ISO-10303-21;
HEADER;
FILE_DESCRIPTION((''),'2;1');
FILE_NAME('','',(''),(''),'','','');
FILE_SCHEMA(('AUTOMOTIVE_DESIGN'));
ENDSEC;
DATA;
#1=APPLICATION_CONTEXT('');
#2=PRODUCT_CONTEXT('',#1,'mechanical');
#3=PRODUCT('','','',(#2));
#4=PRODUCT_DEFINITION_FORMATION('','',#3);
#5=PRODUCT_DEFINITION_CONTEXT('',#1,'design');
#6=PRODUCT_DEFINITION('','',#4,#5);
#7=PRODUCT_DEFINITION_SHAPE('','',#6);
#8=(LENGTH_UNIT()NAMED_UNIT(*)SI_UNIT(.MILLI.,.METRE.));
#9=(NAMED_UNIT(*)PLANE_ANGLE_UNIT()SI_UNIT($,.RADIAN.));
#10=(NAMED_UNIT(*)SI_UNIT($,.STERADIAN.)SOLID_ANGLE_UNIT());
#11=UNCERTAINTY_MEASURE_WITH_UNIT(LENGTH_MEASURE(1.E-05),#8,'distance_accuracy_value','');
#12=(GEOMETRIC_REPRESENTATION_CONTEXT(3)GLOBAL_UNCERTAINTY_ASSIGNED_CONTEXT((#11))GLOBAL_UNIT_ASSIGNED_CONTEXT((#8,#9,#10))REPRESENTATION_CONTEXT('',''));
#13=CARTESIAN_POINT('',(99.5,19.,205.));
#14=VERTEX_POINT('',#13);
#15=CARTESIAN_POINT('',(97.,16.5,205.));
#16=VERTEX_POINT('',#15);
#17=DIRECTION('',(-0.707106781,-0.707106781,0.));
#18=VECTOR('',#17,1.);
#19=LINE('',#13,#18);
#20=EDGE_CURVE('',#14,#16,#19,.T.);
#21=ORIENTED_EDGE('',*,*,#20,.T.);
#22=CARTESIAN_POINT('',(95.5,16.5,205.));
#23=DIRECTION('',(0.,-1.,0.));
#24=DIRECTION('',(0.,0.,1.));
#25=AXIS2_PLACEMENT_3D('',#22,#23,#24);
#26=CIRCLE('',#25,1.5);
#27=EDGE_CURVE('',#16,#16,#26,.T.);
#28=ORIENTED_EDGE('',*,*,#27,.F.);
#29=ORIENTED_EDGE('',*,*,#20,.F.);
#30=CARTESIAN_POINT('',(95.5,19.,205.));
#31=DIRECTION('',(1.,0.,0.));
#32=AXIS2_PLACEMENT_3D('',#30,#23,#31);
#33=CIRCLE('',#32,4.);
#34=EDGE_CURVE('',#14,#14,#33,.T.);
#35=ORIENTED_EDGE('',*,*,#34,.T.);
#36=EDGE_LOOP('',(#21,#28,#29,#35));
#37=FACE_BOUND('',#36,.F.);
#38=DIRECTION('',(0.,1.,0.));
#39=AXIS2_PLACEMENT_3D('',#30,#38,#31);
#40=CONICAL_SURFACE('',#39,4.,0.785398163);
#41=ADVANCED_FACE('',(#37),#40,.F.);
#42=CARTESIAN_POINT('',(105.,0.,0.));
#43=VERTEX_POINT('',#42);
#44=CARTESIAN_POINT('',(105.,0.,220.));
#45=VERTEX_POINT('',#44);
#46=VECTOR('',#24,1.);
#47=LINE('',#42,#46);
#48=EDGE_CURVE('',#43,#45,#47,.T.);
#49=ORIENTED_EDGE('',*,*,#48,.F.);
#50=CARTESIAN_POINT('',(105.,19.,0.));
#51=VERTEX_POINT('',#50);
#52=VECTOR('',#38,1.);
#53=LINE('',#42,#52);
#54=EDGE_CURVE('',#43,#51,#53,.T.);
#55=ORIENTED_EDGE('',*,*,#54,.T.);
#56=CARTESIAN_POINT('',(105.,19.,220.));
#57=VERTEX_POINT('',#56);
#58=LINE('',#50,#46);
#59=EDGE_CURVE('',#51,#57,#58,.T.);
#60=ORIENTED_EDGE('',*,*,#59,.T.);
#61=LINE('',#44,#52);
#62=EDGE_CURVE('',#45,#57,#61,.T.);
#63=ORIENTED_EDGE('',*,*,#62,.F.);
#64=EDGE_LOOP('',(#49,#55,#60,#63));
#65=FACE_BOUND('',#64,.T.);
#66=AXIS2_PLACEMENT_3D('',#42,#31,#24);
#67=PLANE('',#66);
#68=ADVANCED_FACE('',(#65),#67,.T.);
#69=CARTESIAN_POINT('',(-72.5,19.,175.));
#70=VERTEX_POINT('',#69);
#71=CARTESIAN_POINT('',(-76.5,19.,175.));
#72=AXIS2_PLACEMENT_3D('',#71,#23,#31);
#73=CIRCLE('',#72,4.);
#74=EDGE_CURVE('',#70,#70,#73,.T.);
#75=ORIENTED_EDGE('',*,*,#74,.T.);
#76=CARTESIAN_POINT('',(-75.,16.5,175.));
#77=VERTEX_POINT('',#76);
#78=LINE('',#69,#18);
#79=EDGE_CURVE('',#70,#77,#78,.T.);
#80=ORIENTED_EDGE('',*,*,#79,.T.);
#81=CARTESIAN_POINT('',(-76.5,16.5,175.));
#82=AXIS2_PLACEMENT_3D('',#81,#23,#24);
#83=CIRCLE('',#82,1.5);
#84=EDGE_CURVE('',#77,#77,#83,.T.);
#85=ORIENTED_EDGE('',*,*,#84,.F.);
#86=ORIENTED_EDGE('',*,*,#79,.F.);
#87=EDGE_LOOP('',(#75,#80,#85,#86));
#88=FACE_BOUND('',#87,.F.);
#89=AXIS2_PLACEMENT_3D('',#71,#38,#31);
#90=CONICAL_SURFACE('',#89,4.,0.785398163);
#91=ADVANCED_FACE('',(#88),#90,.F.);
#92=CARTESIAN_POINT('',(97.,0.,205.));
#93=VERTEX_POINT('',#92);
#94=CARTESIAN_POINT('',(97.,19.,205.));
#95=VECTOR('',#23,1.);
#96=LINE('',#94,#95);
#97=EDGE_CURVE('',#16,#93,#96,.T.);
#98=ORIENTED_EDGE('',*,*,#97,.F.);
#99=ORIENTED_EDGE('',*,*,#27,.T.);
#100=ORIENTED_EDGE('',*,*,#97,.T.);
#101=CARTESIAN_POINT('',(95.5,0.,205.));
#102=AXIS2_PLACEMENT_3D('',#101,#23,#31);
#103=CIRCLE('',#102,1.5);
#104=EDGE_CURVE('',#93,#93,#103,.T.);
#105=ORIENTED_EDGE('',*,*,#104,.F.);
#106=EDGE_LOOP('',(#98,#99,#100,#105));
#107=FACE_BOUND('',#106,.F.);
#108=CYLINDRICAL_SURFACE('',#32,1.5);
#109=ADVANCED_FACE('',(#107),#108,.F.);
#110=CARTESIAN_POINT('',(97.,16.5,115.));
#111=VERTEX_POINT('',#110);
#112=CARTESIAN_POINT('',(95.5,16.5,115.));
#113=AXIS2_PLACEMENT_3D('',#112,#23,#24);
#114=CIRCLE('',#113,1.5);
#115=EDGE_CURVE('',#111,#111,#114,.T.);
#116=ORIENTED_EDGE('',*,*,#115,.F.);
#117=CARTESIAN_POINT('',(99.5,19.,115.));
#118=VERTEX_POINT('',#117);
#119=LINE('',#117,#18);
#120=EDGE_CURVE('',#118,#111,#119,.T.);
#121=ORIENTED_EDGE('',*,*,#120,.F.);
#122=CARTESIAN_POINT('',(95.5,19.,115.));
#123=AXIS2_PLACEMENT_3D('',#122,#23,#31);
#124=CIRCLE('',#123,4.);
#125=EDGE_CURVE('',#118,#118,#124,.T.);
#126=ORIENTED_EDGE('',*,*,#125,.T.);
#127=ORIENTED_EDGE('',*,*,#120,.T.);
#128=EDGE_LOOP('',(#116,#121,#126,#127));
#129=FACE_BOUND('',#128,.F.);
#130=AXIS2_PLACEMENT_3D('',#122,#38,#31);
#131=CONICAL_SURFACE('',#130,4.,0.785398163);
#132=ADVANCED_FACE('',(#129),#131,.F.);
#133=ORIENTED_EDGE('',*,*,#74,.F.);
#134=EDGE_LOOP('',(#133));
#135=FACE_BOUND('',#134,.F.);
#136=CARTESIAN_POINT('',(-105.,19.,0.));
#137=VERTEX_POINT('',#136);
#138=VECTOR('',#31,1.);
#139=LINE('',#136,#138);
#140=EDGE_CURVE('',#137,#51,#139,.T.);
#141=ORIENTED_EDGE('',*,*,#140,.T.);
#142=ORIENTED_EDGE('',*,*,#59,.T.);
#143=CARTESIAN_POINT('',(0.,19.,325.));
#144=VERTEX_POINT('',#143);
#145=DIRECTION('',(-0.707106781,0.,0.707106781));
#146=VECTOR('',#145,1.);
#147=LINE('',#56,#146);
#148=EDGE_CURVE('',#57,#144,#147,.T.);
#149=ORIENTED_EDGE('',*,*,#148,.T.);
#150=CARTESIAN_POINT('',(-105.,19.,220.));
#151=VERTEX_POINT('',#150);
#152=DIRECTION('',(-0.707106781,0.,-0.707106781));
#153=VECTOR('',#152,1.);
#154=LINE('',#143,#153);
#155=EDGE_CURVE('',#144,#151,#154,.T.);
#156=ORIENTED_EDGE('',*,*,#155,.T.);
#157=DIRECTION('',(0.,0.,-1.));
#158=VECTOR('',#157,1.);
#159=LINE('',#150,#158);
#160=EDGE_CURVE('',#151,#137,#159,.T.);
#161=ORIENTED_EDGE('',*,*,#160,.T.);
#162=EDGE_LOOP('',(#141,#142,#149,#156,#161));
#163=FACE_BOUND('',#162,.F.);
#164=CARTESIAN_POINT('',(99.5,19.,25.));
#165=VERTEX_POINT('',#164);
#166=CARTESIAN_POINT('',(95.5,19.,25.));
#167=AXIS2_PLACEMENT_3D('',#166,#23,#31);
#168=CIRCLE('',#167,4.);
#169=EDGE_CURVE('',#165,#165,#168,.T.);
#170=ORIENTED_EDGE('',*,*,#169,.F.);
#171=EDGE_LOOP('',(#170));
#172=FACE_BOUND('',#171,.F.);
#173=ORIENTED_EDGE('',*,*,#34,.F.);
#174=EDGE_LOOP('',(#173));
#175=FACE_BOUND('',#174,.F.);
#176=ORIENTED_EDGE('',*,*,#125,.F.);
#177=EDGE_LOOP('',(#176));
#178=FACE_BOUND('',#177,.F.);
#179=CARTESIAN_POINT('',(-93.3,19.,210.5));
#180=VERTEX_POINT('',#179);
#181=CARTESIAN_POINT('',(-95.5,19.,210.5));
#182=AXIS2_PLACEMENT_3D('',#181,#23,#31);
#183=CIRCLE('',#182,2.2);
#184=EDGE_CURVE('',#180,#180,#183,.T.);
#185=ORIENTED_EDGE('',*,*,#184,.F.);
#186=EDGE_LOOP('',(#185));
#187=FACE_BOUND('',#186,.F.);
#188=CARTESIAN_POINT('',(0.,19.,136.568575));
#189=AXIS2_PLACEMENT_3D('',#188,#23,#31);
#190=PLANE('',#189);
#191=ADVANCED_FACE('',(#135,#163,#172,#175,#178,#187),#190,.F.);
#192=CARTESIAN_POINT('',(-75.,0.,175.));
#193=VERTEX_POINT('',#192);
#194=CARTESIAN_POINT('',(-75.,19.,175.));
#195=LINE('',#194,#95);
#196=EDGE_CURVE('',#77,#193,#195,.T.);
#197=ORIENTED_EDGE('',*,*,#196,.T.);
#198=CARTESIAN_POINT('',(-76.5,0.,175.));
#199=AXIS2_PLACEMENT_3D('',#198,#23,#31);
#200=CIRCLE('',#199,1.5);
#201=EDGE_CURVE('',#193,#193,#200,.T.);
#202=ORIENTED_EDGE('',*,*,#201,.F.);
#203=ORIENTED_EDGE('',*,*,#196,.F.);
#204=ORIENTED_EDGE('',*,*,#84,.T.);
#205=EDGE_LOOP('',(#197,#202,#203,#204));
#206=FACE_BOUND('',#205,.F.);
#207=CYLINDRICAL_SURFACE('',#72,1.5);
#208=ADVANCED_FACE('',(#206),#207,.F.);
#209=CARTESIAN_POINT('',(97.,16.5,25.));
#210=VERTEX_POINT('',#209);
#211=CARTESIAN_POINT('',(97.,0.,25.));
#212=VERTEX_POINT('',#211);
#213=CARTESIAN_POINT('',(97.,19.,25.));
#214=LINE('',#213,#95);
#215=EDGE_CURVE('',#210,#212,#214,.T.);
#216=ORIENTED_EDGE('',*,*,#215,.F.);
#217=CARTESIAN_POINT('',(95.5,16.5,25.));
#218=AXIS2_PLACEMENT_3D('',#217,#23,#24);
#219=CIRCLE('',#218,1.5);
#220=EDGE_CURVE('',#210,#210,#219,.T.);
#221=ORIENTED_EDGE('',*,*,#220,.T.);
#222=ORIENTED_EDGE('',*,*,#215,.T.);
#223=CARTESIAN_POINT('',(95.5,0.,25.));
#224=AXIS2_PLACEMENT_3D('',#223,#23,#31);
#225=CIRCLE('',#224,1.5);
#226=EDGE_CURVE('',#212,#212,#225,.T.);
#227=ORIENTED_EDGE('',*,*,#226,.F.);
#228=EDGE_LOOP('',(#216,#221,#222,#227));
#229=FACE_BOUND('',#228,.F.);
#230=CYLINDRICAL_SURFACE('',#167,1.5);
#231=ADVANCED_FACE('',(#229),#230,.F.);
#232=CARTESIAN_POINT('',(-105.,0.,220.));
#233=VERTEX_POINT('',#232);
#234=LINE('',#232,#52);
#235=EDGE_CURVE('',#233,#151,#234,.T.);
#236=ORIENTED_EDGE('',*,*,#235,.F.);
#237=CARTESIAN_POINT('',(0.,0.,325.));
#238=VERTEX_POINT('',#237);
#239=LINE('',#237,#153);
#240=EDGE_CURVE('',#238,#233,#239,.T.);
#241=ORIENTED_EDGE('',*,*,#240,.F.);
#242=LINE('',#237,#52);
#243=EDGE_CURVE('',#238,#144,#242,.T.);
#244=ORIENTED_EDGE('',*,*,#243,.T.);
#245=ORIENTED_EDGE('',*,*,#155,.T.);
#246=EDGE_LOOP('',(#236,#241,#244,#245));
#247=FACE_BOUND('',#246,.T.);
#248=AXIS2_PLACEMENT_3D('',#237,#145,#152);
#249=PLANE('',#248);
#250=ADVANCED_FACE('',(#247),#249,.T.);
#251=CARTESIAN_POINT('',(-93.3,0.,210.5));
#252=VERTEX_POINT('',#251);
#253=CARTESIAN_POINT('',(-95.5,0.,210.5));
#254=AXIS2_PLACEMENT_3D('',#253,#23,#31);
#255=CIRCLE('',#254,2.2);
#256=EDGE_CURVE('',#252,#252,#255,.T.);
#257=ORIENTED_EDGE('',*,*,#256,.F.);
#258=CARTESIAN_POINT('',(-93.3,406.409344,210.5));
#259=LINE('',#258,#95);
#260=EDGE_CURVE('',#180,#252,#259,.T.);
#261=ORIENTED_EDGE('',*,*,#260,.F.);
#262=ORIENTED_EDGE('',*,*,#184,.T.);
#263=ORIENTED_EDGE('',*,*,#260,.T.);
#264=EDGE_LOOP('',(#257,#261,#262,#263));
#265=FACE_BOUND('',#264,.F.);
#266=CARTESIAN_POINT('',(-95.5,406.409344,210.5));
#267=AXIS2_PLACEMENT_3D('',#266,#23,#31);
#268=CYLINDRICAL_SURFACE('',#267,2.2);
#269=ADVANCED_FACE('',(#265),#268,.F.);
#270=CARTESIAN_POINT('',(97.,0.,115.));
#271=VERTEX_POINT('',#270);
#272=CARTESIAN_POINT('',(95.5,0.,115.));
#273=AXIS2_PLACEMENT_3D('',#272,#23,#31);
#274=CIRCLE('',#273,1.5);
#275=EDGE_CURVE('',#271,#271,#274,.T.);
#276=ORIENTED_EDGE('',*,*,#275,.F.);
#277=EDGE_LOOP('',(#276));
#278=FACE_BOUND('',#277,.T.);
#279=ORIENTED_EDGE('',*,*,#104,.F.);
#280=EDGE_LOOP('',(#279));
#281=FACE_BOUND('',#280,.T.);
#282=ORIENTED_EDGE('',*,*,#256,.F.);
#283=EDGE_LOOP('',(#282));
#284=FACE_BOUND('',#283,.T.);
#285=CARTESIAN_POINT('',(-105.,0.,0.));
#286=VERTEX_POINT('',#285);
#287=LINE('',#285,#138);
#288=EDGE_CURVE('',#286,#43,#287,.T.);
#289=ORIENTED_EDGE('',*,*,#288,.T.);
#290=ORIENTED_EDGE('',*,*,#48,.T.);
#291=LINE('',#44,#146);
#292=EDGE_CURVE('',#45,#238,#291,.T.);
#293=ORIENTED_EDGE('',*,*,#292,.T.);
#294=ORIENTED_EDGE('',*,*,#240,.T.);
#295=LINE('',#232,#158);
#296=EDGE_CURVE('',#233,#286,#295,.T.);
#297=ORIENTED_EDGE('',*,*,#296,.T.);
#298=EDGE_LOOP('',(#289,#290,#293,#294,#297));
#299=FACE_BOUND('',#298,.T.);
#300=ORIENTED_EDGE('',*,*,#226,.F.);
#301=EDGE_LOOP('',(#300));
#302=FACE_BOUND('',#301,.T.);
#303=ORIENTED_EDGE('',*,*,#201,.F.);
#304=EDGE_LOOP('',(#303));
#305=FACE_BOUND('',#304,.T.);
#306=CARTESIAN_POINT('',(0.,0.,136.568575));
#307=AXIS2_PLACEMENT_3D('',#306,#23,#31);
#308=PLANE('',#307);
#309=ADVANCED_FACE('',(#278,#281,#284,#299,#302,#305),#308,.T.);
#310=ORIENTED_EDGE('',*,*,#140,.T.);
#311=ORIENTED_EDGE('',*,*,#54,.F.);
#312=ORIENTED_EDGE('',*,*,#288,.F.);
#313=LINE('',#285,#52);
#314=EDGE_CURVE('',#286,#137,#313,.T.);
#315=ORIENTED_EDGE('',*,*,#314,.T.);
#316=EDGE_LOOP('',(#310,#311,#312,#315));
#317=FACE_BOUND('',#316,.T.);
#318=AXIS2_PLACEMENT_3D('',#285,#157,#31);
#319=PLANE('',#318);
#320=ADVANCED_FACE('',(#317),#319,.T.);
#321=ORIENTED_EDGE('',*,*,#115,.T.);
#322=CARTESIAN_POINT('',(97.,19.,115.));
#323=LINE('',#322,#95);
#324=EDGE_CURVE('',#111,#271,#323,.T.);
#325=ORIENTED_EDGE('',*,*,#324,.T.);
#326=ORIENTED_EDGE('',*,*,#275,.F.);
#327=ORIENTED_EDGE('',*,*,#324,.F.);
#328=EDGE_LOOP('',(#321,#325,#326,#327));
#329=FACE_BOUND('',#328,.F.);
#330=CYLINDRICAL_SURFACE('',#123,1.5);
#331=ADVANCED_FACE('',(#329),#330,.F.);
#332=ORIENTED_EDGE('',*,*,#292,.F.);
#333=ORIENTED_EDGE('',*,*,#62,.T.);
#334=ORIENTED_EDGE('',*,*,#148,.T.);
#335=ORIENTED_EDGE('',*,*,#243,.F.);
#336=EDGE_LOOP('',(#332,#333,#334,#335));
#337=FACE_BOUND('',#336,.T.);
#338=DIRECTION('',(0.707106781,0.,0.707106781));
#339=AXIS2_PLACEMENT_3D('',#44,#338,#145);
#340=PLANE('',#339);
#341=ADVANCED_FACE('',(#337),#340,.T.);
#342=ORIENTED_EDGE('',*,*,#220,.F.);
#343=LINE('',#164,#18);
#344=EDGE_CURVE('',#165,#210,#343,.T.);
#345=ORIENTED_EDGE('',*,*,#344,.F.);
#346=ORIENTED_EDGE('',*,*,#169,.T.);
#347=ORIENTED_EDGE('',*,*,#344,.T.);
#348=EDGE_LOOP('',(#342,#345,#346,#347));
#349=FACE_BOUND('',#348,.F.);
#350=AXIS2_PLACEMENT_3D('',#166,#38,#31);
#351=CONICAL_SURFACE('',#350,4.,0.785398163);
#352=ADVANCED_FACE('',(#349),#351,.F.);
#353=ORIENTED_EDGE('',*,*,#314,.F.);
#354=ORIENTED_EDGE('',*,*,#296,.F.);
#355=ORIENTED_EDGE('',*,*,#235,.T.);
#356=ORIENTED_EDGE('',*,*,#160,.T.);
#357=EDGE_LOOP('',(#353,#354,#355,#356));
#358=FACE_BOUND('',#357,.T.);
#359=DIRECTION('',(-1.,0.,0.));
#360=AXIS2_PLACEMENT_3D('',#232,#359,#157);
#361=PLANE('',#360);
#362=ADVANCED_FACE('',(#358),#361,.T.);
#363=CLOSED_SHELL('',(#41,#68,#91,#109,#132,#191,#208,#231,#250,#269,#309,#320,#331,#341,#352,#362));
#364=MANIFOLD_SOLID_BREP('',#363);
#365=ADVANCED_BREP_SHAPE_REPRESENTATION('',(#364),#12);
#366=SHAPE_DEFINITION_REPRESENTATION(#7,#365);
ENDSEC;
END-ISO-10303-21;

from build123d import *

# Parameters (mm, degrees)
F1_DEPTH       = 19
F3_D           = 3
F3_CSINK_D     = 8
F3_CSINK_ANGLE = 90
F4_D           = 4.4


with BuildPart() as f1:
    # F0 (on Front) → F1 (new body)
    with BuildSketch(Plane.XZ):
        Polygon((-105, 0), (105, 0), (105, 220), (0, 325), (-105, 220), align=None)
    extrude(amount=-F1_DEPTH)

    # F3 (through all)
    with Locations(Plane(origin=(0, 19, 0), x_dir=(-1, 0, 0), z_dir=(0, 1, 0))):
        with Locations((-95.5, 25), (-95.5, 115), (-95.5, 205), (76.5, 175)):
            CounterSinkHole(F3_D / 2, F3_CSINK_D / 2, counter_sink_angle=F3_CSINK_ANGLE)

    # F4 (through all)
    with Locations(Plane(origin=(0, 19, 0), x_dir=(-1, 0, 0), z_dir=(0, 1, 0))):
        with Locations((95.5, 210.5)):
            Hole(F4_D / 2)


solid = f1.part
